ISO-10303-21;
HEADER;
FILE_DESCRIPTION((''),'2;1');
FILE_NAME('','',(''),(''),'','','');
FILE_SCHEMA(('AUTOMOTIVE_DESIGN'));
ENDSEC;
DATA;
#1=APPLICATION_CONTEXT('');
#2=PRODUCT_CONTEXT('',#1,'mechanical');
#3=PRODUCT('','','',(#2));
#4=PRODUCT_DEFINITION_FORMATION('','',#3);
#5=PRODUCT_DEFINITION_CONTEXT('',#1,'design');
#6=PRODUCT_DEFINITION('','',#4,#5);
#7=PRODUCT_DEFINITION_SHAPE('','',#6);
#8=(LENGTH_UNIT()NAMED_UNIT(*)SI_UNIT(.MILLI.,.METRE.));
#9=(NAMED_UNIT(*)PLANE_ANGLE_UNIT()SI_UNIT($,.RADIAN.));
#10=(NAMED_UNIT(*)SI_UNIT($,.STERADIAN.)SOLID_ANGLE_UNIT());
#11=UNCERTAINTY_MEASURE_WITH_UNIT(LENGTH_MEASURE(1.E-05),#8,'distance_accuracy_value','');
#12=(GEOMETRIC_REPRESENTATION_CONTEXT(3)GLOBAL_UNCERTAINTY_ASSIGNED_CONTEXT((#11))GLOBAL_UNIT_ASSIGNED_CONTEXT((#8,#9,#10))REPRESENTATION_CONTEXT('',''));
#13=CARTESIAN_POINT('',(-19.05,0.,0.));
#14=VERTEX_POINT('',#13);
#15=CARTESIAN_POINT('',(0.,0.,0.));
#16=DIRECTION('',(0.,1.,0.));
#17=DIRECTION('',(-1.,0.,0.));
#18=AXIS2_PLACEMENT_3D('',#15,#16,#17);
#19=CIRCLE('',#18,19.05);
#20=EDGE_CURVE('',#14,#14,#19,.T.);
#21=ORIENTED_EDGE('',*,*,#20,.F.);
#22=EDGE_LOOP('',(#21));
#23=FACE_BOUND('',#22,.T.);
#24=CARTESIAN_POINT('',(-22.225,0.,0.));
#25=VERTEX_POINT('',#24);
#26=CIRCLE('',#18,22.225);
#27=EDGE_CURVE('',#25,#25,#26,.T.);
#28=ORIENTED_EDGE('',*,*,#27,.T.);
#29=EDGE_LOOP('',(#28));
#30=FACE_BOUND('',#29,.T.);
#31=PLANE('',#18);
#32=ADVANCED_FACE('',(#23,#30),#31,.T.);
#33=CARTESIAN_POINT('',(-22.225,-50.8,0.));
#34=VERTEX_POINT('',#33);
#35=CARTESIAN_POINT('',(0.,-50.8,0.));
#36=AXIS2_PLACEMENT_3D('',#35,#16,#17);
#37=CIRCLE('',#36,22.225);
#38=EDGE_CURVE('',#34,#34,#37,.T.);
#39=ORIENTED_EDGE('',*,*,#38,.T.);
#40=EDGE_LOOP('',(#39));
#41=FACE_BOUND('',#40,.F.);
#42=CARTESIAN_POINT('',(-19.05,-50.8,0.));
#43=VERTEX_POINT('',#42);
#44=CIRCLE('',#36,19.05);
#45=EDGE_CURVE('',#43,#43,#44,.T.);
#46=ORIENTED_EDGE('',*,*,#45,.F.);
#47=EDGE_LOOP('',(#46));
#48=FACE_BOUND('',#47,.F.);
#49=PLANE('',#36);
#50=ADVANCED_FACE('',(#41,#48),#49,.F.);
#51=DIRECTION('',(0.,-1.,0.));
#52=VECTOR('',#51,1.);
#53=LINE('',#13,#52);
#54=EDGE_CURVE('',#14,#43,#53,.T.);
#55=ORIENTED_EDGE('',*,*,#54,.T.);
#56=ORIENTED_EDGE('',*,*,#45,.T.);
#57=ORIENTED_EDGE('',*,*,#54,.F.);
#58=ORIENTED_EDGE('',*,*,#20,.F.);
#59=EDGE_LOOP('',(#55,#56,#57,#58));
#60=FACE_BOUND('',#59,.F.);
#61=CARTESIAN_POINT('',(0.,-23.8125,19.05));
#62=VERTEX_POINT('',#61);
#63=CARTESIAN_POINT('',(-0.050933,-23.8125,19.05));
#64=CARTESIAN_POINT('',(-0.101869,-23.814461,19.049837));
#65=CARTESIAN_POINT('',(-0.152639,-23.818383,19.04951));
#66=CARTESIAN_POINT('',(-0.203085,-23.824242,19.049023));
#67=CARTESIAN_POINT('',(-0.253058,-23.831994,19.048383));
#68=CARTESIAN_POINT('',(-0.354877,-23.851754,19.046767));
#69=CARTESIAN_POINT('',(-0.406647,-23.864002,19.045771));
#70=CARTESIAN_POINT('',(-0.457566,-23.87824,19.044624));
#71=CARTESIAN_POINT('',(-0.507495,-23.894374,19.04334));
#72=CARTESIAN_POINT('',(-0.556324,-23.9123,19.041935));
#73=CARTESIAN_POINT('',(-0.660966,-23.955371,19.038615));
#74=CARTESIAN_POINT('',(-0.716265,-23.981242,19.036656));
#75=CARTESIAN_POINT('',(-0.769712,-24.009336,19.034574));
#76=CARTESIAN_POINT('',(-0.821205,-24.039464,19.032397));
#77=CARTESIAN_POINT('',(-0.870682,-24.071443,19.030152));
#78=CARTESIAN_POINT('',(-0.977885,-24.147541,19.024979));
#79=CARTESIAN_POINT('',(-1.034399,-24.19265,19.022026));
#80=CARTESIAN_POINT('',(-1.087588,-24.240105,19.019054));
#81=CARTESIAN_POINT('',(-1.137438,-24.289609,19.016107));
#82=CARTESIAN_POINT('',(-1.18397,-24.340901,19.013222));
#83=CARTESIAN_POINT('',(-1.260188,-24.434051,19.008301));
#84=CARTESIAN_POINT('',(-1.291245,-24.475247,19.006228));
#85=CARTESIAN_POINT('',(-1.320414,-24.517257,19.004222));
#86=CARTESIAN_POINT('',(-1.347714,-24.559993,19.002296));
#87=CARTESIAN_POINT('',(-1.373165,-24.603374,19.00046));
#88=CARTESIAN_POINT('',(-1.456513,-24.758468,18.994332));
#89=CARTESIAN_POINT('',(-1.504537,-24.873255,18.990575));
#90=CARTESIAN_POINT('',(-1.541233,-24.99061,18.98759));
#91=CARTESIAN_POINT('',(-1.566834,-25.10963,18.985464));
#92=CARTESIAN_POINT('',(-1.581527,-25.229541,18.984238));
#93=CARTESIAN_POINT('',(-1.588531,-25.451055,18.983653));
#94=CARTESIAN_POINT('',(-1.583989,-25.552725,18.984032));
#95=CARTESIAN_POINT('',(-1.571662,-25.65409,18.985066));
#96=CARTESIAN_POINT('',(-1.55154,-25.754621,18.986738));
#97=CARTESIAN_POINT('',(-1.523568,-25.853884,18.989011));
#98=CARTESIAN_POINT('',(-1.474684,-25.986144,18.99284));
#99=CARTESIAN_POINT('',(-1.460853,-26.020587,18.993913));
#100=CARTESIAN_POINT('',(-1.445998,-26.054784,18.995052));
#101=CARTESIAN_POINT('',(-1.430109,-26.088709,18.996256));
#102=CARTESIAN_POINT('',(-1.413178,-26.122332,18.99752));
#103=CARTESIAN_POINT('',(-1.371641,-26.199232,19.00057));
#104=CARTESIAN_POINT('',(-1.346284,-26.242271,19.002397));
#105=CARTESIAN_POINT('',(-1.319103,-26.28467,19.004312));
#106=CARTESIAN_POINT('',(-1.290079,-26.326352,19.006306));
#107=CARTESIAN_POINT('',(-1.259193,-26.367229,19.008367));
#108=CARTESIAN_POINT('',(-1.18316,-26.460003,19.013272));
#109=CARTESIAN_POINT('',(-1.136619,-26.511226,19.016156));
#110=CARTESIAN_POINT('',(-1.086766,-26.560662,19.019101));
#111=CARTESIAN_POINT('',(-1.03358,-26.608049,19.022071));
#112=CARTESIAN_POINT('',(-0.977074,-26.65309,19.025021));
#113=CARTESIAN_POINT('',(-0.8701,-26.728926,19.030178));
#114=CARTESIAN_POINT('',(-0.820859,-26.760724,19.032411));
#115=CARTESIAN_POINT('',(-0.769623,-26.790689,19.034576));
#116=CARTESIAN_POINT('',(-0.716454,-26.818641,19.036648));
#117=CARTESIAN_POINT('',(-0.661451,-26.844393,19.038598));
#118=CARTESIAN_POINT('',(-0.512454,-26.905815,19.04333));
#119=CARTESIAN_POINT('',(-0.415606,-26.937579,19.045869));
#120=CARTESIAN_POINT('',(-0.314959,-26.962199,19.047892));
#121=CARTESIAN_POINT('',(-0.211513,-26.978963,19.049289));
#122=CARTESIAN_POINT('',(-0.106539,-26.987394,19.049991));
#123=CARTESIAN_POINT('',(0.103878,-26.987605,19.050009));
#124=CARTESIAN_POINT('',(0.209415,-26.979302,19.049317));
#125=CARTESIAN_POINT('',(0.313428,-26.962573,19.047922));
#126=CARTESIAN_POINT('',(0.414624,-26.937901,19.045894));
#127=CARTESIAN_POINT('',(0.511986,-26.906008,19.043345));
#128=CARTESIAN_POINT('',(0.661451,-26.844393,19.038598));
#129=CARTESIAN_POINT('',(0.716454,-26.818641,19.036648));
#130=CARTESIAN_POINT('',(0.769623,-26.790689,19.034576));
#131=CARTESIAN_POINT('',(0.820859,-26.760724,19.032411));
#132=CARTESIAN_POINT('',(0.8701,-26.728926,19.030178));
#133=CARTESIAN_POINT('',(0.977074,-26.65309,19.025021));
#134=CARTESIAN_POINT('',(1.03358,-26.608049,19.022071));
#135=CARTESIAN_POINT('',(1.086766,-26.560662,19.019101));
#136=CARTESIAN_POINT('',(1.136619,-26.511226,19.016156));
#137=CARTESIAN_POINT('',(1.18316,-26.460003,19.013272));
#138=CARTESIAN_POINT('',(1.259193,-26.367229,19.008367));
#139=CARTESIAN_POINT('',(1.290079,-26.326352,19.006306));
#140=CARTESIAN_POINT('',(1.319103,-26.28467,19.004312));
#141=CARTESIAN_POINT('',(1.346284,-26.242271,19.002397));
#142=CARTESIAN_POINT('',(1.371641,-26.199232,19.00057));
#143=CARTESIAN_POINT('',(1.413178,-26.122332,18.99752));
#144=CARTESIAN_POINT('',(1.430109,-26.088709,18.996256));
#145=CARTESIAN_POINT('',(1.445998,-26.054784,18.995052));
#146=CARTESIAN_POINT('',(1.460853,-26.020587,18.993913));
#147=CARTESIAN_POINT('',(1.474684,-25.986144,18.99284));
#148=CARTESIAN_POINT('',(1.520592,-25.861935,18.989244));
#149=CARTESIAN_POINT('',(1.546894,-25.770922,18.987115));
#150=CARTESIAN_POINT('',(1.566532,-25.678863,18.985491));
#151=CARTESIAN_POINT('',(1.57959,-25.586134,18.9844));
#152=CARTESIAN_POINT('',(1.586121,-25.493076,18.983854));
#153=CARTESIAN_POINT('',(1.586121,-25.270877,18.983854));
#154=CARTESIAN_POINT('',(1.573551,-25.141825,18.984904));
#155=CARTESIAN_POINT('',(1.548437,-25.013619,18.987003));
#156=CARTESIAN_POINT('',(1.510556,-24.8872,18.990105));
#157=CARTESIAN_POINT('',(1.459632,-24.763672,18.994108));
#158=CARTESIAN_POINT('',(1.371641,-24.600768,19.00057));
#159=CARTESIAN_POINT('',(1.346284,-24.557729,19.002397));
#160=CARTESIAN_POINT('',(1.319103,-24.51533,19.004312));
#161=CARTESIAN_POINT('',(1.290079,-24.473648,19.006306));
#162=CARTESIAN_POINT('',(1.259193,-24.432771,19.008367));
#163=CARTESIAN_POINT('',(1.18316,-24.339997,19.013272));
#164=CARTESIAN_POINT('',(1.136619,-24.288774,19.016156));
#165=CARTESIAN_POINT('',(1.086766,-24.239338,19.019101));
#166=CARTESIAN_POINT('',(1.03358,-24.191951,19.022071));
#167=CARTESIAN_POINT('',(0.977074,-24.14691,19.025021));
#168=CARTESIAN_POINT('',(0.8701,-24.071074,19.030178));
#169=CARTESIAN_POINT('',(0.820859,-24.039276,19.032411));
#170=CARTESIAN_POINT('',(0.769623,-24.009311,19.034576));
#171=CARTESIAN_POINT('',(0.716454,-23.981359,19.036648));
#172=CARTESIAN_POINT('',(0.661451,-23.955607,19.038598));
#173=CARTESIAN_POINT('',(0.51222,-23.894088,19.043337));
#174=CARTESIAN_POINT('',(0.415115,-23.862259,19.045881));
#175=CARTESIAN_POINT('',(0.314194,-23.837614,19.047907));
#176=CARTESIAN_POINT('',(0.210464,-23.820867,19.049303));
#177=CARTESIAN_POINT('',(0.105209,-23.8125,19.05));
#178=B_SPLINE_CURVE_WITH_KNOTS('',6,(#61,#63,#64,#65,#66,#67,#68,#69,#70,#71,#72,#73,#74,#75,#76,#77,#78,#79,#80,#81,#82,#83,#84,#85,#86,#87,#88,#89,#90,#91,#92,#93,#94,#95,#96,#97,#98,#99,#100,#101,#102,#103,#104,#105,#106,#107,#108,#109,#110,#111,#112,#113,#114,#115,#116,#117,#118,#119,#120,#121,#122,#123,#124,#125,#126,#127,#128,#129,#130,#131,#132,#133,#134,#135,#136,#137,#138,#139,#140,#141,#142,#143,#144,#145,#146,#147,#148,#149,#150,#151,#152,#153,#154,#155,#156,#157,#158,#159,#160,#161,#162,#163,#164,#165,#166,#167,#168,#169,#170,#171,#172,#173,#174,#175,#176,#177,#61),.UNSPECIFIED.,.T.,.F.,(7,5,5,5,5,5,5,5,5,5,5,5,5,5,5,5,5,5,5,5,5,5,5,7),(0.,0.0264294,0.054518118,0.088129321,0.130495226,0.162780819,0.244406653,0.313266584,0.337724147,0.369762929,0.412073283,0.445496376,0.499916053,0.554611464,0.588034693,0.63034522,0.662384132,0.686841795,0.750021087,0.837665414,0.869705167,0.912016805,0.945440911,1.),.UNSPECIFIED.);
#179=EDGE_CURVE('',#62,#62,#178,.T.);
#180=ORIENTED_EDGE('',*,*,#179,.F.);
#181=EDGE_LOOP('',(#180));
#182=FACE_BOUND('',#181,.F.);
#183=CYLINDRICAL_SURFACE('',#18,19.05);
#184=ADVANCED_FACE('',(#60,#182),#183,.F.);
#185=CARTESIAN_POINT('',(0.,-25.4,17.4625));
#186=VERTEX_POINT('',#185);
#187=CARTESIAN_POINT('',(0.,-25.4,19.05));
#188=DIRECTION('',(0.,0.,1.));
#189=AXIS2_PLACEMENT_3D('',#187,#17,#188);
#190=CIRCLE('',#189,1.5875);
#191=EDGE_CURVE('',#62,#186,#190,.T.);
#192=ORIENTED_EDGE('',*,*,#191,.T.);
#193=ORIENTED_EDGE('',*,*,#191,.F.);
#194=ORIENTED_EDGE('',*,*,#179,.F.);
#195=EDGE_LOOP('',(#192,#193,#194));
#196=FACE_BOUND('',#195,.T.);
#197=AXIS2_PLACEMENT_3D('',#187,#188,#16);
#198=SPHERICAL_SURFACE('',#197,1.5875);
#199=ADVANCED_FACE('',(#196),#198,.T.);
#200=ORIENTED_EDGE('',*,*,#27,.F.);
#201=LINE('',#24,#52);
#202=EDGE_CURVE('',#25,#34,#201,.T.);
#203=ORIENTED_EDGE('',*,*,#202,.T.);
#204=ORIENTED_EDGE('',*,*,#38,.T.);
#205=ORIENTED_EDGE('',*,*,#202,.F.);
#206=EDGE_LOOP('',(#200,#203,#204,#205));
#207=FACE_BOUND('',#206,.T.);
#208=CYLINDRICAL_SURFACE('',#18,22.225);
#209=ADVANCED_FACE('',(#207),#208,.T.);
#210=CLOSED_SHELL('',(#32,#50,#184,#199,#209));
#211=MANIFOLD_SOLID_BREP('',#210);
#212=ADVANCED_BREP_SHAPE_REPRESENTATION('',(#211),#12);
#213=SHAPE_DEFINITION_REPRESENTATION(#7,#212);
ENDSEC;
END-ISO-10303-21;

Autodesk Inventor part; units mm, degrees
ref_plane "XZ Plane" through (0, 0, 0) normal (0, 1, 0) x (-1, 0, 0)
ref_plane "XY Plane" through (0, 0, 0) normal (0, 0, 1) x (1, 0, 0)
sketch "Sketch1" plane through (0, 0, 0) normal (0, 1, 0) x (-1, 0, 0)
  circle A0 centre (0, 0) radius 19.05
  circle A1 centre (0, 0) radius 22.225
  dimension "d0" = 38.1
  dimension "d1" = 44.45
extrude "Extrusion1" add sketch "Sketch1" against normal blind 50.8
sketch "Sketch5" plane through (0, 0, 0) normal (1, 0, 0) x (0, 1, 0)
  line L0 (0, 19.05) -> (-50.8, 19.05) projected
  arc A0 (-25.4, 17.4625) -> (-25.4, 20.6375) centre (-25.4, 19.05) ccw
  line L1 (-25.4, 17.4625) -> (-25.4, 20.6375)
  line L2 (-25.4, 17.4625) -> (-25.4, 20.6375) construction
  point P0 (0, 0)
revolve "Revolution2" add sketch "Sketch5" angle 360 about axis through (0, -25.4, 17.4625) along (0, 0, 1)
properties part number "ExternalThreadedPart"
